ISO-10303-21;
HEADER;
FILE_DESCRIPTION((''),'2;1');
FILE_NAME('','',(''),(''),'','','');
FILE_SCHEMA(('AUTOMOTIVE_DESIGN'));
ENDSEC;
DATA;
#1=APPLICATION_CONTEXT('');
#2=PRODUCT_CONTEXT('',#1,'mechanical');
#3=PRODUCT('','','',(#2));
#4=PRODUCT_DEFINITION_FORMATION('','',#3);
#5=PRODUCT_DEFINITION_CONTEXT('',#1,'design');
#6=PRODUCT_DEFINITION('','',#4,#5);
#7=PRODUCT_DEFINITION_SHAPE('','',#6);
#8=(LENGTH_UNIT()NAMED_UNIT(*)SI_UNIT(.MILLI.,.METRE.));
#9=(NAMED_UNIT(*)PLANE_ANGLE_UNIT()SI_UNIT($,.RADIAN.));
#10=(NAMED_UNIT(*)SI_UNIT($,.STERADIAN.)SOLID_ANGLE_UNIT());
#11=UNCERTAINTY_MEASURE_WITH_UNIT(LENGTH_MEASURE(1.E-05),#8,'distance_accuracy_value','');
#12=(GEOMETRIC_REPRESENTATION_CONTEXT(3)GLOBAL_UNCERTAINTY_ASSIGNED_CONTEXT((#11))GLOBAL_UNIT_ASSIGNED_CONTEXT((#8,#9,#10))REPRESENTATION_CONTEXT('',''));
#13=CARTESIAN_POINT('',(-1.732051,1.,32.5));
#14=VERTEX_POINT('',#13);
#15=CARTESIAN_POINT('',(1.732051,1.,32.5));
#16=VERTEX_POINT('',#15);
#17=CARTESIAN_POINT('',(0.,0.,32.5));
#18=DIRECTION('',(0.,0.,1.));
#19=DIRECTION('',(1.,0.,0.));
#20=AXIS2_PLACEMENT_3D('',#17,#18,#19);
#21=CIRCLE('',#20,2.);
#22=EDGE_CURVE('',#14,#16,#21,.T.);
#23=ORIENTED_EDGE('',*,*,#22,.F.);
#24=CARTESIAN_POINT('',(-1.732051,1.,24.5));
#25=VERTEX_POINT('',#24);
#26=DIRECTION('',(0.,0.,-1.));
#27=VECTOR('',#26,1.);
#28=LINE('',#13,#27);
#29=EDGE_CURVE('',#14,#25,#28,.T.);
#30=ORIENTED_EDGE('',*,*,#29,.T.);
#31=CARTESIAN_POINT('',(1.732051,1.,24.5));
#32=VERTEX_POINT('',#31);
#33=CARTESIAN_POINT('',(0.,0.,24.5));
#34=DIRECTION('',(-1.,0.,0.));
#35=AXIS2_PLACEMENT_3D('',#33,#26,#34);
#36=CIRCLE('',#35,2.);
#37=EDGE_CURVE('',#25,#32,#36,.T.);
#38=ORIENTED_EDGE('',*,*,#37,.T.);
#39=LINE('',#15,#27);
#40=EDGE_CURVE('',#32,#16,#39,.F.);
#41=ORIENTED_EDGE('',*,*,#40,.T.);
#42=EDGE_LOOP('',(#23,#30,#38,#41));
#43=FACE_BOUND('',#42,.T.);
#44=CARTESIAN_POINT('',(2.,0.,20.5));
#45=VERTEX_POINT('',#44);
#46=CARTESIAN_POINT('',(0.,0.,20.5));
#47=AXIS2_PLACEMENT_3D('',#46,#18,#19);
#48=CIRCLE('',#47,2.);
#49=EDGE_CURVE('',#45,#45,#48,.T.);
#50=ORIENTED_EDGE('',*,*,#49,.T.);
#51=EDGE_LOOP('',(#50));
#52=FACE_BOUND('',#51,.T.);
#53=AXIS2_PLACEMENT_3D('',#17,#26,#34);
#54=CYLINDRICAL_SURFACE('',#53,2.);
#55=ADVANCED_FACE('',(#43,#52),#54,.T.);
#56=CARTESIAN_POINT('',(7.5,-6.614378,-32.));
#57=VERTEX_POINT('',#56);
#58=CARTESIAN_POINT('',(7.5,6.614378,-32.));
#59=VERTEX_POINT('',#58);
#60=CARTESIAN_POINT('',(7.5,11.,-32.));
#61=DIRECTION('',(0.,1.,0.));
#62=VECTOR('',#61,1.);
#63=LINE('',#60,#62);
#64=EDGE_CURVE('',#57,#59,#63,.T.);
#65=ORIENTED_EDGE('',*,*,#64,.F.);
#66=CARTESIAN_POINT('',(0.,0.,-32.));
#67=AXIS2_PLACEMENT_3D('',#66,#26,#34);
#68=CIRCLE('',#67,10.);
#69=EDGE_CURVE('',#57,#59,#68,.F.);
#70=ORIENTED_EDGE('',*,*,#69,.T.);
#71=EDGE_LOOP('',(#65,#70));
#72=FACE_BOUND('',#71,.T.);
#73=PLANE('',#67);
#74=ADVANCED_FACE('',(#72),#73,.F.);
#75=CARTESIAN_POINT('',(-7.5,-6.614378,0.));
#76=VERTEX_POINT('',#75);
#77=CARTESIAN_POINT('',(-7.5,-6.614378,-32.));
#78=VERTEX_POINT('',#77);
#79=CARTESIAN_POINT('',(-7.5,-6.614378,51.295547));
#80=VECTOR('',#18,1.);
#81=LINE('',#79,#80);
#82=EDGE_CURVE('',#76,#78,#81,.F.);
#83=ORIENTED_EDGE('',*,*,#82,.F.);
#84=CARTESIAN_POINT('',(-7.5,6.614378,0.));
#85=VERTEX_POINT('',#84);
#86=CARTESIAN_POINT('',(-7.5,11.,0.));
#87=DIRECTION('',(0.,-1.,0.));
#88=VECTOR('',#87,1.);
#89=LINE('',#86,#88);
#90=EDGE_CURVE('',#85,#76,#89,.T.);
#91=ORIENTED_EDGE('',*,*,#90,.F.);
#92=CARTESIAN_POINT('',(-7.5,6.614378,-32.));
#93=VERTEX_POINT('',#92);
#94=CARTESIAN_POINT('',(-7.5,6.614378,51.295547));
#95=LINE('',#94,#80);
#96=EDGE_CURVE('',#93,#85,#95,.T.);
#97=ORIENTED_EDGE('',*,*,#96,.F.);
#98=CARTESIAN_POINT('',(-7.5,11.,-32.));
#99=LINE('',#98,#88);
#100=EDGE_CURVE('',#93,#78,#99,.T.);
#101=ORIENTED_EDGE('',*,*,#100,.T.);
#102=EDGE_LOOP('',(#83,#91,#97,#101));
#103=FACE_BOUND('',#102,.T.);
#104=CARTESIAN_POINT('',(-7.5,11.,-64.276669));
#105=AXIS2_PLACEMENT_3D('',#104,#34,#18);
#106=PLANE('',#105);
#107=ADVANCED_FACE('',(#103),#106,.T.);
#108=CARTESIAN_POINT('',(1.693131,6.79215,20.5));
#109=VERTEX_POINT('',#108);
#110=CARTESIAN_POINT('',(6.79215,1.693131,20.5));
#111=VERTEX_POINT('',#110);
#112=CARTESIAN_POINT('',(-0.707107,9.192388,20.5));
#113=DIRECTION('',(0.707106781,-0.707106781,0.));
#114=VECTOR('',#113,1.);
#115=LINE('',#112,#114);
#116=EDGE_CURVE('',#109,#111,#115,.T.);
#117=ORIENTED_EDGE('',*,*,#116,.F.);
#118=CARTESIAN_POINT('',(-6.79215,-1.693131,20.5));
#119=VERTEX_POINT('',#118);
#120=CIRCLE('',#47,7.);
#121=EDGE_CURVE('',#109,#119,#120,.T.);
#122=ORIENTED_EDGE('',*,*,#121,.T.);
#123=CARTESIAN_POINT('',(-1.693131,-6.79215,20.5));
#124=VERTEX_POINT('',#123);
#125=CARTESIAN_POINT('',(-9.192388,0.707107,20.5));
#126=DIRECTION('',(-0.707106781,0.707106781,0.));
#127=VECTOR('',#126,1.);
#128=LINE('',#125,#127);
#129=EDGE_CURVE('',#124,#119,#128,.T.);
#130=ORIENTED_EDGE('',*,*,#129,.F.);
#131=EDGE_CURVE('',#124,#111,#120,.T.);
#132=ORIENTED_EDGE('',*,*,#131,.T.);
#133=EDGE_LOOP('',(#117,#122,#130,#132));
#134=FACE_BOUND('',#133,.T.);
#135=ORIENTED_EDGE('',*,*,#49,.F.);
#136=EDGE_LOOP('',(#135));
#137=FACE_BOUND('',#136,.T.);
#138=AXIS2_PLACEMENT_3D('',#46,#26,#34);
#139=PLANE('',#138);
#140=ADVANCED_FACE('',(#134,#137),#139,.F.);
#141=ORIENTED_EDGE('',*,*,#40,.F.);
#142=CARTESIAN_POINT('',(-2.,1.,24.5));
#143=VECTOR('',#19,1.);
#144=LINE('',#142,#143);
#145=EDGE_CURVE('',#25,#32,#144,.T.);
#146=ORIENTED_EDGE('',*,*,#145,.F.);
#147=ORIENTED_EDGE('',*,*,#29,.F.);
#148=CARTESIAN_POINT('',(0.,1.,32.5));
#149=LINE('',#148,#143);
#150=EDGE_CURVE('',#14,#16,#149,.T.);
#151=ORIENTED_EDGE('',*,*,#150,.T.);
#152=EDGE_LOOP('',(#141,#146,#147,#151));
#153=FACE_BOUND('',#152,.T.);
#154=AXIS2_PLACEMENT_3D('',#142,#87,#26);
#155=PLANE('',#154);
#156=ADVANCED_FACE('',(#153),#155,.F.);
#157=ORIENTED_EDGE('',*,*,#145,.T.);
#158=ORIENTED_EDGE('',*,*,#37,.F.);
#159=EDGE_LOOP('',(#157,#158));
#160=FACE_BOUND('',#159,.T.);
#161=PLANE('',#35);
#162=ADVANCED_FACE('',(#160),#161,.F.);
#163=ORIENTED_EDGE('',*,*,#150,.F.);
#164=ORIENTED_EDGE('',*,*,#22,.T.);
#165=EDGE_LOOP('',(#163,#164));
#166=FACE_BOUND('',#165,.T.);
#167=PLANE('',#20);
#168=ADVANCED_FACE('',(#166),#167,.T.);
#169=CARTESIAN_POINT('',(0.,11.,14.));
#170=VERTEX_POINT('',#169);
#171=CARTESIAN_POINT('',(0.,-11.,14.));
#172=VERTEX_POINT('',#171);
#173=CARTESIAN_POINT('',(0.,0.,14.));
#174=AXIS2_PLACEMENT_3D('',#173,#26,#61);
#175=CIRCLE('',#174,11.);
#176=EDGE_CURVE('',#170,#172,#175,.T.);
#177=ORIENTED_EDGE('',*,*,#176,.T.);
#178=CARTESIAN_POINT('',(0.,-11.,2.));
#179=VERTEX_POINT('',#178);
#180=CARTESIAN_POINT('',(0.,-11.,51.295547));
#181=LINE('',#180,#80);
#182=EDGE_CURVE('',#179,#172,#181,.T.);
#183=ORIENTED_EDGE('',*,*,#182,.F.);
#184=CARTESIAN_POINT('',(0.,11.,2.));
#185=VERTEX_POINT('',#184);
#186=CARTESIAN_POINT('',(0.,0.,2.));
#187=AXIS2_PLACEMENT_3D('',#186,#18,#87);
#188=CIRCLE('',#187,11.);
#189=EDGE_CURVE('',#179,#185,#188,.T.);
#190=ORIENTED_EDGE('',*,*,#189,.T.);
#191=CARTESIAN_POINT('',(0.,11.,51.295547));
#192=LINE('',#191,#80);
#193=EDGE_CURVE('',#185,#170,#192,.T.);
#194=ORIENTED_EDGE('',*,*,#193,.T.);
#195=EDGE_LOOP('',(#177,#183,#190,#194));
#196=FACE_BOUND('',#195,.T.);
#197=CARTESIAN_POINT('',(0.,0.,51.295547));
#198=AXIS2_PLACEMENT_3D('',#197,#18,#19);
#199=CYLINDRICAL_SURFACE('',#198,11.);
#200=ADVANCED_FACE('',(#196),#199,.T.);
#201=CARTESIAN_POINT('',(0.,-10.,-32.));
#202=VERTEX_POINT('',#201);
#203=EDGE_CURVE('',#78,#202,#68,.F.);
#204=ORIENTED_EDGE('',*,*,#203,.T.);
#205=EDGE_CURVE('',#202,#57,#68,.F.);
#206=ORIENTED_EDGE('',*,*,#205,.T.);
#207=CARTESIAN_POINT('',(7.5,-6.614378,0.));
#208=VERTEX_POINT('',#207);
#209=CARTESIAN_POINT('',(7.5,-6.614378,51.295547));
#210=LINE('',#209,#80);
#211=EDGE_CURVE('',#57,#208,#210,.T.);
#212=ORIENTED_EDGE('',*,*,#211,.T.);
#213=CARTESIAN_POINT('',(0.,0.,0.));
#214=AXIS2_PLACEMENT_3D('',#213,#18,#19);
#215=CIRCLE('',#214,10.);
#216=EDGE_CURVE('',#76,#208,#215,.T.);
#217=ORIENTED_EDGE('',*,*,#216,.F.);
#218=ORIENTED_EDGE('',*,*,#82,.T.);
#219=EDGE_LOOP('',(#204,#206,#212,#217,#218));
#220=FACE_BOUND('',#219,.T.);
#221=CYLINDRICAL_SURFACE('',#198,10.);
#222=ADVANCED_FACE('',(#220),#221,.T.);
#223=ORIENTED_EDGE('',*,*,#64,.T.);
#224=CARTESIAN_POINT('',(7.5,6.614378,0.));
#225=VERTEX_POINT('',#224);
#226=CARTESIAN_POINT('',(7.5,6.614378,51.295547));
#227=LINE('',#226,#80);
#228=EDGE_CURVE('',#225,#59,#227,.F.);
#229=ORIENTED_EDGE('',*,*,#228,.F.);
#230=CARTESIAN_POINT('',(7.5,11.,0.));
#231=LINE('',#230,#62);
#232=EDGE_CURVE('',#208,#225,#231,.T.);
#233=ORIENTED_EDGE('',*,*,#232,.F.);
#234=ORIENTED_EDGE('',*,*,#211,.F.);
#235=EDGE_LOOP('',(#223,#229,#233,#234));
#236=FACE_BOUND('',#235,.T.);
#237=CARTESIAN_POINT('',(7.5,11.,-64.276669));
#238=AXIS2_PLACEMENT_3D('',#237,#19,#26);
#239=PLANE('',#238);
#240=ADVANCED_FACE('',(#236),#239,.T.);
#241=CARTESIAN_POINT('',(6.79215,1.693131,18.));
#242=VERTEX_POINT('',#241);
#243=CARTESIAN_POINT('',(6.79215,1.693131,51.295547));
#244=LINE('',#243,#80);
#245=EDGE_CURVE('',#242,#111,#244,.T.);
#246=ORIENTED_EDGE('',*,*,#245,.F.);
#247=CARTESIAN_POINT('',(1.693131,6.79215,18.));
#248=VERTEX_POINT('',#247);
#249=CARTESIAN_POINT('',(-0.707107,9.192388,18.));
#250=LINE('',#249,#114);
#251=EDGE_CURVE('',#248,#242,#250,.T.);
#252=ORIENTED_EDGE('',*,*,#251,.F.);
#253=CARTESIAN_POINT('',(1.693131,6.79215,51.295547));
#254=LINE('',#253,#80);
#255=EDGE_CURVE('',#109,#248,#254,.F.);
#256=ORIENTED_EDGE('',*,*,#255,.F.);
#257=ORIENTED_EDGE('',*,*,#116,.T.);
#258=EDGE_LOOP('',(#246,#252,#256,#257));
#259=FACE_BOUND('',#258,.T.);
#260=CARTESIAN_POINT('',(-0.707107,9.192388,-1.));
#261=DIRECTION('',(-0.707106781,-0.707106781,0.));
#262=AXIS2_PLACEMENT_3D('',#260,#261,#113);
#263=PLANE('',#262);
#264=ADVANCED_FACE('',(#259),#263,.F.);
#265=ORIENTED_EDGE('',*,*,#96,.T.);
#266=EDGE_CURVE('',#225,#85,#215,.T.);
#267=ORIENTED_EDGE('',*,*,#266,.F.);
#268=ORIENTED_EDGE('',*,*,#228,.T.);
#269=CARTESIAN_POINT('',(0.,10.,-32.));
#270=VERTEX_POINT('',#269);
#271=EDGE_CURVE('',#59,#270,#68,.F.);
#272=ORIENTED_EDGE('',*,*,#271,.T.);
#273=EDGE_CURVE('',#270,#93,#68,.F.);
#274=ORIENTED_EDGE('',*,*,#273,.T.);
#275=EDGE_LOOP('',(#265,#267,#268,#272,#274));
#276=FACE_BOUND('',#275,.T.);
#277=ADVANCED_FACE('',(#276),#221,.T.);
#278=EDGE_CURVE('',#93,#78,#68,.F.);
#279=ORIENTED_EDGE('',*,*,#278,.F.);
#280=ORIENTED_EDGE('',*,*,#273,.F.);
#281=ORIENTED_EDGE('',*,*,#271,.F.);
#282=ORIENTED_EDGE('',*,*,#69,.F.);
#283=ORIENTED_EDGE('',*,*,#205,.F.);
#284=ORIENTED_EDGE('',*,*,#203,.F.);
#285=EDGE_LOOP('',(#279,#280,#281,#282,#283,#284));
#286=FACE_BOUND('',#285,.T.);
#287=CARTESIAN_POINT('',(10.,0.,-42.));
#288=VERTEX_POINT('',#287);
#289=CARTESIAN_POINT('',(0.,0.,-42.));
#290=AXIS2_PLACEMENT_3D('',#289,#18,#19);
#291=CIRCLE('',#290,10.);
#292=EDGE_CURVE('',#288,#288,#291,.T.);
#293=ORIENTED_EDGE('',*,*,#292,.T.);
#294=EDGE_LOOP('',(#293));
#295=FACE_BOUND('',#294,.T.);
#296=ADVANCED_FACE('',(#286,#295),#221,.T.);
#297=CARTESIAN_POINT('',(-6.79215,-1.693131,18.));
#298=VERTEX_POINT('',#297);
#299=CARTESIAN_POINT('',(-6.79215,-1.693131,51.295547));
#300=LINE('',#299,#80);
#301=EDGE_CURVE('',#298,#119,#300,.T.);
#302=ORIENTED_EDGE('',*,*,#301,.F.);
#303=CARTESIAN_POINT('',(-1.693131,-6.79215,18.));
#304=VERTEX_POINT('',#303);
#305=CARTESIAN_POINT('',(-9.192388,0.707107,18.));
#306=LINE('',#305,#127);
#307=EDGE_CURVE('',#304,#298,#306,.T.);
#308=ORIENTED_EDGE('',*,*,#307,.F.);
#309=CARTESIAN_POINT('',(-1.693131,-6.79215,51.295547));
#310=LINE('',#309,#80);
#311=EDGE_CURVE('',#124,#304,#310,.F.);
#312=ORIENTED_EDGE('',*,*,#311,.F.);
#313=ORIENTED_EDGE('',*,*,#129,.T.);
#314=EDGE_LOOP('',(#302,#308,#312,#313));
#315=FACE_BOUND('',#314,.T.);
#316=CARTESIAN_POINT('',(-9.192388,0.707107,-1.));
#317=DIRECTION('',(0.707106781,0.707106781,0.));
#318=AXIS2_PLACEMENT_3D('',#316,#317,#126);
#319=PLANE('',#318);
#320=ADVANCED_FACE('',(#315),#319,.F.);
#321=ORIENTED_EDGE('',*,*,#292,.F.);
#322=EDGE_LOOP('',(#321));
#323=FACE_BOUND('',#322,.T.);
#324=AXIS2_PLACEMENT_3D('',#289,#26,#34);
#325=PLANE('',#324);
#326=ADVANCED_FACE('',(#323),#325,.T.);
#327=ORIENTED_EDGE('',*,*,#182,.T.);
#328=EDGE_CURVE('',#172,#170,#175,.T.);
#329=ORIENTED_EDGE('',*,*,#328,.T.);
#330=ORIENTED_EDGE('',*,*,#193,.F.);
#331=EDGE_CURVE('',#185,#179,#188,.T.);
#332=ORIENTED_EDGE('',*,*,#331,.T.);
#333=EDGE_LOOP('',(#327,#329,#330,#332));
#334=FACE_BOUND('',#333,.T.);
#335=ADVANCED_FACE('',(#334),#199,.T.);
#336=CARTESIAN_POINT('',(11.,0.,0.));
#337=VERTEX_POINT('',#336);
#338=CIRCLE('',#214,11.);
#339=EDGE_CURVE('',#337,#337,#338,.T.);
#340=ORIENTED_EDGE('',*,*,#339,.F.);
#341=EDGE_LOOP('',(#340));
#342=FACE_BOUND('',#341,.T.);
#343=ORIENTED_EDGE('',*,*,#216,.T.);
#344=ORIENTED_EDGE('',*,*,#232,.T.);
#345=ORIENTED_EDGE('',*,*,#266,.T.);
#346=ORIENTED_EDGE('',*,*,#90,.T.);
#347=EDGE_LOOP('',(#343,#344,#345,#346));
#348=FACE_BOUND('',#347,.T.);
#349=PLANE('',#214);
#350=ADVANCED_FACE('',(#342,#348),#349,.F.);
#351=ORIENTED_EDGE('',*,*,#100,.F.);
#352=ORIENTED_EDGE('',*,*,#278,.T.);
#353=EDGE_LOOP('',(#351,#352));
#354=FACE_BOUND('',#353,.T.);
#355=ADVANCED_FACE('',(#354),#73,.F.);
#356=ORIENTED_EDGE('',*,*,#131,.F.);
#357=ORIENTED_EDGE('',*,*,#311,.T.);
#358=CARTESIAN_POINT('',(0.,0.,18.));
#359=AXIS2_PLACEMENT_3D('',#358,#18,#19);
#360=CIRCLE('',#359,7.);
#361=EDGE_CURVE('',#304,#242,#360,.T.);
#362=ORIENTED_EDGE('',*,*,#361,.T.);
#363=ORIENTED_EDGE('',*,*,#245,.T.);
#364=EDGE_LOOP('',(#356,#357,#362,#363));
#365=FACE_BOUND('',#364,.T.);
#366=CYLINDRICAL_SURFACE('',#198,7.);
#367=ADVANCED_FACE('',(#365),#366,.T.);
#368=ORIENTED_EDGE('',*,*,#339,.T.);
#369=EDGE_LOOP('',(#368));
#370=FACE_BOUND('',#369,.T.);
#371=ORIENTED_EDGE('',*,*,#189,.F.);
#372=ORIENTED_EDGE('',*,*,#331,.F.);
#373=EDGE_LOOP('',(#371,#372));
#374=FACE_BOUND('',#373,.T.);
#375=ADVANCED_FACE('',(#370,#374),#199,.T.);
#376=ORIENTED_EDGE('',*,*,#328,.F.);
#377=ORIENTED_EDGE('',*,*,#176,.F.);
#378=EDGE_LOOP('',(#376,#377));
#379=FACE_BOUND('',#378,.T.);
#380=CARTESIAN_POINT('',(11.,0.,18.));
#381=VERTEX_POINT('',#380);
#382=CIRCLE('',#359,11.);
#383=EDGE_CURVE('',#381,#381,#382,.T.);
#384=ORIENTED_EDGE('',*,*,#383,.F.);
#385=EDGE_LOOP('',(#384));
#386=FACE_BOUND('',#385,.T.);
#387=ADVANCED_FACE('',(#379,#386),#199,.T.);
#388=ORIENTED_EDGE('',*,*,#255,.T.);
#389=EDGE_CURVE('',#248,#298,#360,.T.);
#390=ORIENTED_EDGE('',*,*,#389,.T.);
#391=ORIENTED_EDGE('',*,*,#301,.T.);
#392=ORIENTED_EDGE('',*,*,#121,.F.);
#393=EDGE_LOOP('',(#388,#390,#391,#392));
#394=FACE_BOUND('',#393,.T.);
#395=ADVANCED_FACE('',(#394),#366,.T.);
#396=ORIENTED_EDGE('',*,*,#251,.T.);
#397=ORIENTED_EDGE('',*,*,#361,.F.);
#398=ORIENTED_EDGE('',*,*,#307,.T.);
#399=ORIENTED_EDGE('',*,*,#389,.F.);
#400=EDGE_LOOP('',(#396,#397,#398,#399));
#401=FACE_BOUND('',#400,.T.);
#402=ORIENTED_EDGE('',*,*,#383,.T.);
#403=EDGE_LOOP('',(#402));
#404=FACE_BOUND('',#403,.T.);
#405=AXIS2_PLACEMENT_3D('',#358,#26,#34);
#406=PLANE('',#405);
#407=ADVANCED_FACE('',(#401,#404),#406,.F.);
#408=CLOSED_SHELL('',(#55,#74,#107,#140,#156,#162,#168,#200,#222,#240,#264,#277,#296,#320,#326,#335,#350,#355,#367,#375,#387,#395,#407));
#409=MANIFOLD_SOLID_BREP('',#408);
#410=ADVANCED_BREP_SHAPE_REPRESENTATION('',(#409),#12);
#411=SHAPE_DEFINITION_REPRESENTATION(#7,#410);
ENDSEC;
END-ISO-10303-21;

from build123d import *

# Parameters (mm, degrees)
SKETCH2_W           = 2.5
SKETCH2_H           = 7
SKETCH2_W_2         = 32
SKETCH2_H_2         = 10
SKETCH2_W_3         = 10
SKETCH4_W           = 3.5
SKETCH4_H           = 22
CUT_EXTRUDE1_DEPTH  = 32
CUT_EXTRUDE2_DEPTH  = 2.5
SKETCH6_R           = 2
BOSS_EXTRUDE1_DEPTH = 12
SKETCH7_W           = 4
SKETCH7_H           = 2
CUT_EXTRUDE3_DEPTH  = 8


with BuildPart() as part:
    # Sketch2 → Revolve1 (revolve)
    with BuildSketch(Plane(origin=(0, 0, 0), x_dir=(0, 0, -1), z_dir=(1, 0, 0)), mode=Mode.PRIVATE) as revolve1_sk:
        with Locations((-19.25, 3.5)):
            Rectangle(SKETCH2_W, SKETCH2_H)
        Polygon((-18, 0), (0, 0), (0, 10), (0, 11), (-18, 11), (-18, 7), align=None)
        with Locations((16, 5)):
            Rectangle(SKETCH2_W_2, SKETCH2_H_2)
        with Locations((37, 5)):
            Rectangle(SKETCH2_W_3, SKETCH2_H_2)
    revolve(revolve1_sk.sketch.rotate(Axis((0, 0, 51.295546559), (0, 0, -1)), 90), axis=Axis((0, 0, 51.295546559), (0, 0, -1)))

    # Sketch4 → Cut-Extrude1 (cut)
    with BuildSketch(Plane(origin=(0, 0, 0), x_dir=(-1, 0, 0), z_dir=(0, 0, -1))):
        with Locations((-9.25, 0)):
            Rectangle(SKETCH4_W, SKETCH4_H)
        with Locations((9.25, 0)):
            Rectangle(SKETCH4_W, SKETCH4_H)
    extrude(amount=CUT_EXTRUDE1_DEPTH, mode=Mode.SUBTRACT)

    # Sketch5 → Cut-Extrude2 (cut)
    with BuildSketch(Plane.XY.offset(20.5)):
        Polygon((-9.192388155, 0.707106781), (0.707106781, -9.192388155), (-2.828427125, -12.727922061), (-12.727922061, -2.828427125), align=None)
        Polygon((-0.707106781, 9.192388155), (9.192388155, -0.707106781), (12.727922061, 2.828427125), (2.828427125, 12.727922061), align=None)
    extrude(amount=-CUT_EXTRUDE2_DEPTH, mode=Mode.SUBTRACT)

    # Sketch6 → Boss-Extrude1 (add)
    with BuildSketch(Plane.XY.offset(20.5)):
        Circle(SKETCH6_R)
    extrude(amount=BOSS_EXTRUDE1_DEPTH)

    # Sketch7 → Cut-Extrude3 (cut)
    with BuildSketch(Plane.XY.offset(32.5)):
        with Locations((0, 2)):
            Rectangle(SKETCH7_W, SKETCH7_H)
    extrude(amount=-CUT_EXTRUDE3_DEPTH, mode=Mode.SUBTRACT)


solid = part.part
